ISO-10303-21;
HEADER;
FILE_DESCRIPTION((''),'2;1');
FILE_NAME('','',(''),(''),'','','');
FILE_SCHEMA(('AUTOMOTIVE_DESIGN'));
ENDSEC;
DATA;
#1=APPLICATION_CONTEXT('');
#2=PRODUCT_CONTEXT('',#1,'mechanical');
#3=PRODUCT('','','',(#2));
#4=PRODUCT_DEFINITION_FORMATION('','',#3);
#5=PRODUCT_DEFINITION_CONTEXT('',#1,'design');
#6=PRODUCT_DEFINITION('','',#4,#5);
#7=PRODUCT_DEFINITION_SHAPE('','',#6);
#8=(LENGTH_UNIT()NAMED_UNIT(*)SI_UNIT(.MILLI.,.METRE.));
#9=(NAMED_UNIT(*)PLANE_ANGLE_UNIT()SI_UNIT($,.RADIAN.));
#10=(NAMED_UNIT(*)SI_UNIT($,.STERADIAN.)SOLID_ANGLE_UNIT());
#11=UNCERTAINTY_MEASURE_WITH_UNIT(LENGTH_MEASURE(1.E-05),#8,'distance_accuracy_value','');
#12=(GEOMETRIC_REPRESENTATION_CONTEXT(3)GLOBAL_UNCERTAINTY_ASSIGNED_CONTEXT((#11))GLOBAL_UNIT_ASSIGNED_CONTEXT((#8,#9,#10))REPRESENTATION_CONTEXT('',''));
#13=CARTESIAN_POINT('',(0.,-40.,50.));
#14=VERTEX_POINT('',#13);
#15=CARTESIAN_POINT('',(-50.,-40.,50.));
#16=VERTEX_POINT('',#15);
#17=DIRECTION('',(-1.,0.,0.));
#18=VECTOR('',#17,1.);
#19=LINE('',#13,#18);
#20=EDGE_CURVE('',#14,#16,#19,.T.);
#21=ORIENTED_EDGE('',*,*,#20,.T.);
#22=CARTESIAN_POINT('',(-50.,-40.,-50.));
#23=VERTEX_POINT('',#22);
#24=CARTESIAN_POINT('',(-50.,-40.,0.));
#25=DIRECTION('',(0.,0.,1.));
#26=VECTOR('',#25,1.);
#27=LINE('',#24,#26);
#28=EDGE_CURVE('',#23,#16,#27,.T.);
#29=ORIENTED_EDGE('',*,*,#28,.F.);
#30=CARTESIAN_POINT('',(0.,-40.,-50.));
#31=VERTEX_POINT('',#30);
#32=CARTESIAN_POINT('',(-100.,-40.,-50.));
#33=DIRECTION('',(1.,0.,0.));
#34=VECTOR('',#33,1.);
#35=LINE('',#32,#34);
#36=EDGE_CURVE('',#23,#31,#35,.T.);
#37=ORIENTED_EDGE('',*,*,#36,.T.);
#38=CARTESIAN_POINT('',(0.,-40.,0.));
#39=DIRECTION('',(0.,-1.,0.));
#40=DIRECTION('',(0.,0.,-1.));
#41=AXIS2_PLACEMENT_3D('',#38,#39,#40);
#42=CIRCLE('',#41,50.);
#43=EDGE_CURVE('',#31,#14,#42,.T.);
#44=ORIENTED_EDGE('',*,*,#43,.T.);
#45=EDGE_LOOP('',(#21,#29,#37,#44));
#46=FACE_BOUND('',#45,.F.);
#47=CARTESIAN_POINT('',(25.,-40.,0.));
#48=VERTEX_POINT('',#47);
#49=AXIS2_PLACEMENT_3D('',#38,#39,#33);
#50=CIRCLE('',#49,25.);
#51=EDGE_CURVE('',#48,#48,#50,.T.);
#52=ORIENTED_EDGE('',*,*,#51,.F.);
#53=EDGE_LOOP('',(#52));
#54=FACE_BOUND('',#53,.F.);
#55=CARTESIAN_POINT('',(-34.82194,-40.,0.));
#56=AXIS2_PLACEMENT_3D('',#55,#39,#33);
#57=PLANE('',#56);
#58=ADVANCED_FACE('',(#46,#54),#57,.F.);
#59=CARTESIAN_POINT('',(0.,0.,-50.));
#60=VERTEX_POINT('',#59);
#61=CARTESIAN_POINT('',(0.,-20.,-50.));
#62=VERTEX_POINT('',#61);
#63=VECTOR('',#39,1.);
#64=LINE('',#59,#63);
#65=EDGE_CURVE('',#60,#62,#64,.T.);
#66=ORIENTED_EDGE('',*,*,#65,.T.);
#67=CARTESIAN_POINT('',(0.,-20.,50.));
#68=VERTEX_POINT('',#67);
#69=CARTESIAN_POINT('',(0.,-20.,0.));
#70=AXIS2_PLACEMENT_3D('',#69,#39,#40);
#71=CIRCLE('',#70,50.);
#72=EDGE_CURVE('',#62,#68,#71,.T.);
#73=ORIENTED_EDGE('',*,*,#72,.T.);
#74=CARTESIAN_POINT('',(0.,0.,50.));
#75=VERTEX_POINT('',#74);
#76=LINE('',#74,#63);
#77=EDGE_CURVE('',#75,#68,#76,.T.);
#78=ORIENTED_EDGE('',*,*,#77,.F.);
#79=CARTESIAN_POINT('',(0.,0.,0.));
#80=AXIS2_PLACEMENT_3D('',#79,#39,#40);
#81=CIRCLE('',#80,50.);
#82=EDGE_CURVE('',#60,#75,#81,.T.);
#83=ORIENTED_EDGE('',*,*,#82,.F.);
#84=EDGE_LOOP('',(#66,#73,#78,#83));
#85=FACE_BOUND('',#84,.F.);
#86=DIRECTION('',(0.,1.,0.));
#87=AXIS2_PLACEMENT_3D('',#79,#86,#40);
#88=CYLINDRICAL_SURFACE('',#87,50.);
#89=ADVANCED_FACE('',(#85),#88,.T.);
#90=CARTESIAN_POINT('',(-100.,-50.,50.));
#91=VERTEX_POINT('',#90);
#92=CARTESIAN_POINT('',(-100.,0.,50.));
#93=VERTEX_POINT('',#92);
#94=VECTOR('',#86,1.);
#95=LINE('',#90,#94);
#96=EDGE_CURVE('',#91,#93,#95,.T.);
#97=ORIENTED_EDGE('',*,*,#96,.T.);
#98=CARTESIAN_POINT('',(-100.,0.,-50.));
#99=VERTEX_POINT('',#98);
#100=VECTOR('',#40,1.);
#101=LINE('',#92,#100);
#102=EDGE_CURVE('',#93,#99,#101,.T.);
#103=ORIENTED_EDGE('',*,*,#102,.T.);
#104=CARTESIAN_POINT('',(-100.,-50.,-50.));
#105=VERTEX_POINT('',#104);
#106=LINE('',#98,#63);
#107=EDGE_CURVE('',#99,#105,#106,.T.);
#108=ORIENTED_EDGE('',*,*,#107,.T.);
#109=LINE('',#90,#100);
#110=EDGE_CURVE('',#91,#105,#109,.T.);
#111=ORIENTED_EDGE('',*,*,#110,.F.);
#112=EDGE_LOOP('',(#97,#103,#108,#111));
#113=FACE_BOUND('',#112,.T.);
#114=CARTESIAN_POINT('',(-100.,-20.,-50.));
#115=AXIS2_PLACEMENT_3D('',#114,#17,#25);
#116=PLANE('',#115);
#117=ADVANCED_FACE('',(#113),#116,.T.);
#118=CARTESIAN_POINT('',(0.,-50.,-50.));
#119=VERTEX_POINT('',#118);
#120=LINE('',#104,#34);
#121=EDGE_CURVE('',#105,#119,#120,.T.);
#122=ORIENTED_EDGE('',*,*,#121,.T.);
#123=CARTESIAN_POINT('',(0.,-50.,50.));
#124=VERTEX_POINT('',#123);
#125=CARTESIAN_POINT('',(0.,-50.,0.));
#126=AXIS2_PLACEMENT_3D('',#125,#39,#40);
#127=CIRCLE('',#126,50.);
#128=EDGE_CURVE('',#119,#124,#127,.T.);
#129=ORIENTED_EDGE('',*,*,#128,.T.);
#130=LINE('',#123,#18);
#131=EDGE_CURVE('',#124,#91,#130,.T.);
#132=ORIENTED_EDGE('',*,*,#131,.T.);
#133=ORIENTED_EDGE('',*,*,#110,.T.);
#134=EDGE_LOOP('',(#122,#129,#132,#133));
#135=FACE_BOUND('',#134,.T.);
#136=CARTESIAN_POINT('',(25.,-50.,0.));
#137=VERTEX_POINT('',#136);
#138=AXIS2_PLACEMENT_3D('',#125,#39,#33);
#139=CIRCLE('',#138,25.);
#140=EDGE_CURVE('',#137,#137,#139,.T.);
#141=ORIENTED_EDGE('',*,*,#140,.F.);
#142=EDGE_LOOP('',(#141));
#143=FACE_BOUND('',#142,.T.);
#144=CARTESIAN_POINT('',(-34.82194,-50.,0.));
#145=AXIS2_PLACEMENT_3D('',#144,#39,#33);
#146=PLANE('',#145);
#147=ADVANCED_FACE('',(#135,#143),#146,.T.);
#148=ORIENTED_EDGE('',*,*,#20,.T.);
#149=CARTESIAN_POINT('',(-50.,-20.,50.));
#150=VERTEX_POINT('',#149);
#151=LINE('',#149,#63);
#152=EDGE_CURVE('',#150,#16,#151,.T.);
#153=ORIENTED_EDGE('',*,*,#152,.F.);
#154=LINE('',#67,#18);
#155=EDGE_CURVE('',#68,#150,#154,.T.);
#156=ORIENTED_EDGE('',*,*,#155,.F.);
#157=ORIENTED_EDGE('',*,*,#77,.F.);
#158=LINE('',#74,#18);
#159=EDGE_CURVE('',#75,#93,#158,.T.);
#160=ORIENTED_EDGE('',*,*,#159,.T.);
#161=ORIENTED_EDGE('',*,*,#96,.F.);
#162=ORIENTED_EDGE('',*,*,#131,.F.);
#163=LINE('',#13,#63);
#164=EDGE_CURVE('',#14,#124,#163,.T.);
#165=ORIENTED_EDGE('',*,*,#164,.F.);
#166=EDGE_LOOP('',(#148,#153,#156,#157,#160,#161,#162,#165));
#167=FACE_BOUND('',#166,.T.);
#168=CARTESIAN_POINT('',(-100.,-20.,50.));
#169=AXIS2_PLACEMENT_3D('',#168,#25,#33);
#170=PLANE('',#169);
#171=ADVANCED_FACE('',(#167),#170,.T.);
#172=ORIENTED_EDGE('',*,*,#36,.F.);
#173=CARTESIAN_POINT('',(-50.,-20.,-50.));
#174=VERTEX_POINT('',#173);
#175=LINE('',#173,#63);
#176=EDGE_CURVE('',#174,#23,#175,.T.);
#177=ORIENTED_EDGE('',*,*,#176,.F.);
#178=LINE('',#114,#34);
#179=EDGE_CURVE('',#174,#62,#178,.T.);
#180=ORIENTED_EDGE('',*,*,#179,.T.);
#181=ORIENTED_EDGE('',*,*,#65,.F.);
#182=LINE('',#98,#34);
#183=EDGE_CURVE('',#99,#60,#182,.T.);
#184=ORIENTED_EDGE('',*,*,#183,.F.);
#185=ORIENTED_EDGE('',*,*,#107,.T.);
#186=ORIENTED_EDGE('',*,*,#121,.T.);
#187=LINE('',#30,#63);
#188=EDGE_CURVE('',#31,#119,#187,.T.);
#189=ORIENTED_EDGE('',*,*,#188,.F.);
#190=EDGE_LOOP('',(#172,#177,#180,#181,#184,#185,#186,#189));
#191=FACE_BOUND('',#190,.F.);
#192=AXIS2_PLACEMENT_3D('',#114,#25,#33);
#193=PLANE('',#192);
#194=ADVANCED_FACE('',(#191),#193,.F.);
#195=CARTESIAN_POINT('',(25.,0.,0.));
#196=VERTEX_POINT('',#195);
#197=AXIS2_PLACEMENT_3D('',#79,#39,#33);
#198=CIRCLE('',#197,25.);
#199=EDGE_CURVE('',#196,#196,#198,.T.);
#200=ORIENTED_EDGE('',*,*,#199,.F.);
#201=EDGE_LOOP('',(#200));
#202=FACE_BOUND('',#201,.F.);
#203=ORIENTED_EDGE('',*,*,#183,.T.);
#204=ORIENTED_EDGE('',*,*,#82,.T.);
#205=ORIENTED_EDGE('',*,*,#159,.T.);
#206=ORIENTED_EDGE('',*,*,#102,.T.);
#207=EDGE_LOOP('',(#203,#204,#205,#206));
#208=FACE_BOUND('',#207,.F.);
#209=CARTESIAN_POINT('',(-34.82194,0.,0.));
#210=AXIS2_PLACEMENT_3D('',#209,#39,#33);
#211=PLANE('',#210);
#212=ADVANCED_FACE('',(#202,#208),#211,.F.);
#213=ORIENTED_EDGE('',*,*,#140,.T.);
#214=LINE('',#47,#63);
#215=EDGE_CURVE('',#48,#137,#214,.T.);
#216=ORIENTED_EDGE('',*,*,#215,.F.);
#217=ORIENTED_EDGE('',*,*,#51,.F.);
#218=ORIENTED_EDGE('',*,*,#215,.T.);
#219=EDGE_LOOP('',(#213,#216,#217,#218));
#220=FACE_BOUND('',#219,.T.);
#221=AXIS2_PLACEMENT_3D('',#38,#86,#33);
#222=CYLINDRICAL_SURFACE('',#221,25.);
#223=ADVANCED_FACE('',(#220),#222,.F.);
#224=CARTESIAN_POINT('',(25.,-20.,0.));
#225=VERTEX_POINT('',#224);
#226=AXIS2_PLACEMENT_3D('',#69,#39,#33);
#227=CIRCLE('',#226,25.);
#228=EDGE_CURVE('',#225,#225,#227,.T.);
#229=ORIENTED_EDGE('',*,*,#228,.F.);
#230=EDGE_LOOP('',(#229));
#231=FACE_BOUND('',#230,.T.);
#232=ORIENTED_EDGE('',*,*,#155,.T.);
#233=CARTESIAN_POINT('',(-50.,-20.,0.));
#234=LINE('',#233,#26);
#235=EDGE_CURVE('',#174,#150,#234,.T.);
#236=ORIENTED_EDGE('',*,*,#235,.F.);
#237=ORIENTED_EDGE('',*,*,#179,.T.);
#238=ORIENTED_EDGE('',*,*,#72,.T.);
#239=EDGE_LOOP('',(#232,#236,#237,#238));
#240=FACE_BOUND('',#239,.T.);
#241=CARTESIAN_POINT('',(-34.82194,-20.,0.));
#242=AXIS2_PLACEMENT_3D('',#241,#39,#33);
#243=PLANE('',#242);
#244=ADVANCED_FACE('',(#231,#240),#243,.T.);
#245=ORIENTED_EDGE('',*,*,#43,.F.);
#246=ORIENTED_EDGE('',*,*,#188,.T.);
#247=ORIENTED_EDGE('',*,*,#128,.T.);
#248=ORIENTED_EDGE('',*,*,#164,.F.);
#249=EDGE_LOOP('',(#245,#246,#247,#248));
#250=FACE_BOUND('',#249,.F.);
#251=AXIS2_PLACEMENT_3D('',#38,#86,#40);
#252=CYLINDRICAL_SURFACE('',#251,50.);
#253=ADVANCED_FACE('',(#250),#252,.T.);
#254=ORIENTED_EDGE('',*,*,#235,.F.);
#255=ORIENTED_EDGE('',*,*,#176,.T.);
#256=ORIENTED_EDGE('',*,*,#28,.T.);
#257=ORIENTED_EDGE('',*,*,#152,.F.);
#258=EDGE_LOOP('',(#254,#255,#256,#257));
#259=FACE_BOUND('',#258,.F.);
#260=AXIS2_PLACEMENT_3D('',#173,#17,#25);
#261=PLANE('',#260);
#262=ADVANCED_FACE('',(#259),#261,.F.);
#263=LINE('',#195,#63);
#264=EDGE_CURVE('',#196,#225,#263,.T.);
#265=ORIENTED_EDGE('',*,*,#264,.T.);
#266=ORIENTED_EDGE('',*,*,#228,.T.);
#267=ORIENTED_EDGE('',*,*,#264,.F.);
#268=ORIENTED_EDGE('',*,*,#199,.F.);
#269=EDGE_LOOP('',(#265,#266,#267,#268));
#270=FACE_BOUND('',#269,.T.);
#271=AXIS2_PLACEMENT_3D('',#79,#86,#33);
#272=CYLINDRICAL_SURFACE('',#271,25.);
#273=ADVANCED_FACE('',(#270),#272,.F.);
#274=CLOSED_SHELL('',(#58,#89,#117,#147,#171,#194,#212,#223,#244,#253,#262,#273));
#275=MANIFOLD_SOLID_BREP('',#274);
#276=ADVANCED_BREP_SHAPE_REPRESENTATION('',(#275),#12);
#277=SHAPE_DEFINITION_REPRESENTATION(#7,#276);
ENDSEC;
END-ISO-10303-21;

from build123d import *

# Parameters (mm, degrees)
F0_R     = 25
F1_DEPTH = 20
F3_R     = 25
F4_DEPTH = 10
F5_W     = 50
F5_H     = 100
F6_DEPTH = 20


with BuildPart() as f1:
    # F0 (on Front) → F1 (new body)
    with BuildSketch(Plane.XZ):
        with BuildLine():
            Line((-100, -50), (0, -50))
            ThreePointArc((0, -50), (50, 0), (0, 50))
            Line((0, 50), (-100, 50))
            Line((-100, 50), (-100, -50))
        make_face()
        Circle(F0_R, mode=Mode.SUBTRACT)
    extrude(amount=F1_DEPTH)



with BuildPart() as f4:
    # F3 (on offset) → F4 (new body)
    with BuildSketch(Plane.XZ.offset(40)):
        with BuildLine():
            Line((-100, 50), (-100, -50))
            Line((-100, -50), (0, -50))
            ThreePointArc((0, -50), (50, 0), (0, 50))
            Line((0, 50), (-100, 50))
        make_face()
        Circle(F3_R, mode=Mode.SUBTRACT)
    extrude(amount=F4_DEPTH)


with BuildPart() as f1_1:
    add(f1.part)

    add(f4.part)  # F6 merges F4
    # F5 (on face) → F6 (join, through all)
    with BuildSketch(Plane.XZ.offset(20)):
        with Locations((-75, 0)):
            Rectangle(F5_W, F5_H)
    extrude(amount=F6_DEPTH)


solid = f1_1.part
